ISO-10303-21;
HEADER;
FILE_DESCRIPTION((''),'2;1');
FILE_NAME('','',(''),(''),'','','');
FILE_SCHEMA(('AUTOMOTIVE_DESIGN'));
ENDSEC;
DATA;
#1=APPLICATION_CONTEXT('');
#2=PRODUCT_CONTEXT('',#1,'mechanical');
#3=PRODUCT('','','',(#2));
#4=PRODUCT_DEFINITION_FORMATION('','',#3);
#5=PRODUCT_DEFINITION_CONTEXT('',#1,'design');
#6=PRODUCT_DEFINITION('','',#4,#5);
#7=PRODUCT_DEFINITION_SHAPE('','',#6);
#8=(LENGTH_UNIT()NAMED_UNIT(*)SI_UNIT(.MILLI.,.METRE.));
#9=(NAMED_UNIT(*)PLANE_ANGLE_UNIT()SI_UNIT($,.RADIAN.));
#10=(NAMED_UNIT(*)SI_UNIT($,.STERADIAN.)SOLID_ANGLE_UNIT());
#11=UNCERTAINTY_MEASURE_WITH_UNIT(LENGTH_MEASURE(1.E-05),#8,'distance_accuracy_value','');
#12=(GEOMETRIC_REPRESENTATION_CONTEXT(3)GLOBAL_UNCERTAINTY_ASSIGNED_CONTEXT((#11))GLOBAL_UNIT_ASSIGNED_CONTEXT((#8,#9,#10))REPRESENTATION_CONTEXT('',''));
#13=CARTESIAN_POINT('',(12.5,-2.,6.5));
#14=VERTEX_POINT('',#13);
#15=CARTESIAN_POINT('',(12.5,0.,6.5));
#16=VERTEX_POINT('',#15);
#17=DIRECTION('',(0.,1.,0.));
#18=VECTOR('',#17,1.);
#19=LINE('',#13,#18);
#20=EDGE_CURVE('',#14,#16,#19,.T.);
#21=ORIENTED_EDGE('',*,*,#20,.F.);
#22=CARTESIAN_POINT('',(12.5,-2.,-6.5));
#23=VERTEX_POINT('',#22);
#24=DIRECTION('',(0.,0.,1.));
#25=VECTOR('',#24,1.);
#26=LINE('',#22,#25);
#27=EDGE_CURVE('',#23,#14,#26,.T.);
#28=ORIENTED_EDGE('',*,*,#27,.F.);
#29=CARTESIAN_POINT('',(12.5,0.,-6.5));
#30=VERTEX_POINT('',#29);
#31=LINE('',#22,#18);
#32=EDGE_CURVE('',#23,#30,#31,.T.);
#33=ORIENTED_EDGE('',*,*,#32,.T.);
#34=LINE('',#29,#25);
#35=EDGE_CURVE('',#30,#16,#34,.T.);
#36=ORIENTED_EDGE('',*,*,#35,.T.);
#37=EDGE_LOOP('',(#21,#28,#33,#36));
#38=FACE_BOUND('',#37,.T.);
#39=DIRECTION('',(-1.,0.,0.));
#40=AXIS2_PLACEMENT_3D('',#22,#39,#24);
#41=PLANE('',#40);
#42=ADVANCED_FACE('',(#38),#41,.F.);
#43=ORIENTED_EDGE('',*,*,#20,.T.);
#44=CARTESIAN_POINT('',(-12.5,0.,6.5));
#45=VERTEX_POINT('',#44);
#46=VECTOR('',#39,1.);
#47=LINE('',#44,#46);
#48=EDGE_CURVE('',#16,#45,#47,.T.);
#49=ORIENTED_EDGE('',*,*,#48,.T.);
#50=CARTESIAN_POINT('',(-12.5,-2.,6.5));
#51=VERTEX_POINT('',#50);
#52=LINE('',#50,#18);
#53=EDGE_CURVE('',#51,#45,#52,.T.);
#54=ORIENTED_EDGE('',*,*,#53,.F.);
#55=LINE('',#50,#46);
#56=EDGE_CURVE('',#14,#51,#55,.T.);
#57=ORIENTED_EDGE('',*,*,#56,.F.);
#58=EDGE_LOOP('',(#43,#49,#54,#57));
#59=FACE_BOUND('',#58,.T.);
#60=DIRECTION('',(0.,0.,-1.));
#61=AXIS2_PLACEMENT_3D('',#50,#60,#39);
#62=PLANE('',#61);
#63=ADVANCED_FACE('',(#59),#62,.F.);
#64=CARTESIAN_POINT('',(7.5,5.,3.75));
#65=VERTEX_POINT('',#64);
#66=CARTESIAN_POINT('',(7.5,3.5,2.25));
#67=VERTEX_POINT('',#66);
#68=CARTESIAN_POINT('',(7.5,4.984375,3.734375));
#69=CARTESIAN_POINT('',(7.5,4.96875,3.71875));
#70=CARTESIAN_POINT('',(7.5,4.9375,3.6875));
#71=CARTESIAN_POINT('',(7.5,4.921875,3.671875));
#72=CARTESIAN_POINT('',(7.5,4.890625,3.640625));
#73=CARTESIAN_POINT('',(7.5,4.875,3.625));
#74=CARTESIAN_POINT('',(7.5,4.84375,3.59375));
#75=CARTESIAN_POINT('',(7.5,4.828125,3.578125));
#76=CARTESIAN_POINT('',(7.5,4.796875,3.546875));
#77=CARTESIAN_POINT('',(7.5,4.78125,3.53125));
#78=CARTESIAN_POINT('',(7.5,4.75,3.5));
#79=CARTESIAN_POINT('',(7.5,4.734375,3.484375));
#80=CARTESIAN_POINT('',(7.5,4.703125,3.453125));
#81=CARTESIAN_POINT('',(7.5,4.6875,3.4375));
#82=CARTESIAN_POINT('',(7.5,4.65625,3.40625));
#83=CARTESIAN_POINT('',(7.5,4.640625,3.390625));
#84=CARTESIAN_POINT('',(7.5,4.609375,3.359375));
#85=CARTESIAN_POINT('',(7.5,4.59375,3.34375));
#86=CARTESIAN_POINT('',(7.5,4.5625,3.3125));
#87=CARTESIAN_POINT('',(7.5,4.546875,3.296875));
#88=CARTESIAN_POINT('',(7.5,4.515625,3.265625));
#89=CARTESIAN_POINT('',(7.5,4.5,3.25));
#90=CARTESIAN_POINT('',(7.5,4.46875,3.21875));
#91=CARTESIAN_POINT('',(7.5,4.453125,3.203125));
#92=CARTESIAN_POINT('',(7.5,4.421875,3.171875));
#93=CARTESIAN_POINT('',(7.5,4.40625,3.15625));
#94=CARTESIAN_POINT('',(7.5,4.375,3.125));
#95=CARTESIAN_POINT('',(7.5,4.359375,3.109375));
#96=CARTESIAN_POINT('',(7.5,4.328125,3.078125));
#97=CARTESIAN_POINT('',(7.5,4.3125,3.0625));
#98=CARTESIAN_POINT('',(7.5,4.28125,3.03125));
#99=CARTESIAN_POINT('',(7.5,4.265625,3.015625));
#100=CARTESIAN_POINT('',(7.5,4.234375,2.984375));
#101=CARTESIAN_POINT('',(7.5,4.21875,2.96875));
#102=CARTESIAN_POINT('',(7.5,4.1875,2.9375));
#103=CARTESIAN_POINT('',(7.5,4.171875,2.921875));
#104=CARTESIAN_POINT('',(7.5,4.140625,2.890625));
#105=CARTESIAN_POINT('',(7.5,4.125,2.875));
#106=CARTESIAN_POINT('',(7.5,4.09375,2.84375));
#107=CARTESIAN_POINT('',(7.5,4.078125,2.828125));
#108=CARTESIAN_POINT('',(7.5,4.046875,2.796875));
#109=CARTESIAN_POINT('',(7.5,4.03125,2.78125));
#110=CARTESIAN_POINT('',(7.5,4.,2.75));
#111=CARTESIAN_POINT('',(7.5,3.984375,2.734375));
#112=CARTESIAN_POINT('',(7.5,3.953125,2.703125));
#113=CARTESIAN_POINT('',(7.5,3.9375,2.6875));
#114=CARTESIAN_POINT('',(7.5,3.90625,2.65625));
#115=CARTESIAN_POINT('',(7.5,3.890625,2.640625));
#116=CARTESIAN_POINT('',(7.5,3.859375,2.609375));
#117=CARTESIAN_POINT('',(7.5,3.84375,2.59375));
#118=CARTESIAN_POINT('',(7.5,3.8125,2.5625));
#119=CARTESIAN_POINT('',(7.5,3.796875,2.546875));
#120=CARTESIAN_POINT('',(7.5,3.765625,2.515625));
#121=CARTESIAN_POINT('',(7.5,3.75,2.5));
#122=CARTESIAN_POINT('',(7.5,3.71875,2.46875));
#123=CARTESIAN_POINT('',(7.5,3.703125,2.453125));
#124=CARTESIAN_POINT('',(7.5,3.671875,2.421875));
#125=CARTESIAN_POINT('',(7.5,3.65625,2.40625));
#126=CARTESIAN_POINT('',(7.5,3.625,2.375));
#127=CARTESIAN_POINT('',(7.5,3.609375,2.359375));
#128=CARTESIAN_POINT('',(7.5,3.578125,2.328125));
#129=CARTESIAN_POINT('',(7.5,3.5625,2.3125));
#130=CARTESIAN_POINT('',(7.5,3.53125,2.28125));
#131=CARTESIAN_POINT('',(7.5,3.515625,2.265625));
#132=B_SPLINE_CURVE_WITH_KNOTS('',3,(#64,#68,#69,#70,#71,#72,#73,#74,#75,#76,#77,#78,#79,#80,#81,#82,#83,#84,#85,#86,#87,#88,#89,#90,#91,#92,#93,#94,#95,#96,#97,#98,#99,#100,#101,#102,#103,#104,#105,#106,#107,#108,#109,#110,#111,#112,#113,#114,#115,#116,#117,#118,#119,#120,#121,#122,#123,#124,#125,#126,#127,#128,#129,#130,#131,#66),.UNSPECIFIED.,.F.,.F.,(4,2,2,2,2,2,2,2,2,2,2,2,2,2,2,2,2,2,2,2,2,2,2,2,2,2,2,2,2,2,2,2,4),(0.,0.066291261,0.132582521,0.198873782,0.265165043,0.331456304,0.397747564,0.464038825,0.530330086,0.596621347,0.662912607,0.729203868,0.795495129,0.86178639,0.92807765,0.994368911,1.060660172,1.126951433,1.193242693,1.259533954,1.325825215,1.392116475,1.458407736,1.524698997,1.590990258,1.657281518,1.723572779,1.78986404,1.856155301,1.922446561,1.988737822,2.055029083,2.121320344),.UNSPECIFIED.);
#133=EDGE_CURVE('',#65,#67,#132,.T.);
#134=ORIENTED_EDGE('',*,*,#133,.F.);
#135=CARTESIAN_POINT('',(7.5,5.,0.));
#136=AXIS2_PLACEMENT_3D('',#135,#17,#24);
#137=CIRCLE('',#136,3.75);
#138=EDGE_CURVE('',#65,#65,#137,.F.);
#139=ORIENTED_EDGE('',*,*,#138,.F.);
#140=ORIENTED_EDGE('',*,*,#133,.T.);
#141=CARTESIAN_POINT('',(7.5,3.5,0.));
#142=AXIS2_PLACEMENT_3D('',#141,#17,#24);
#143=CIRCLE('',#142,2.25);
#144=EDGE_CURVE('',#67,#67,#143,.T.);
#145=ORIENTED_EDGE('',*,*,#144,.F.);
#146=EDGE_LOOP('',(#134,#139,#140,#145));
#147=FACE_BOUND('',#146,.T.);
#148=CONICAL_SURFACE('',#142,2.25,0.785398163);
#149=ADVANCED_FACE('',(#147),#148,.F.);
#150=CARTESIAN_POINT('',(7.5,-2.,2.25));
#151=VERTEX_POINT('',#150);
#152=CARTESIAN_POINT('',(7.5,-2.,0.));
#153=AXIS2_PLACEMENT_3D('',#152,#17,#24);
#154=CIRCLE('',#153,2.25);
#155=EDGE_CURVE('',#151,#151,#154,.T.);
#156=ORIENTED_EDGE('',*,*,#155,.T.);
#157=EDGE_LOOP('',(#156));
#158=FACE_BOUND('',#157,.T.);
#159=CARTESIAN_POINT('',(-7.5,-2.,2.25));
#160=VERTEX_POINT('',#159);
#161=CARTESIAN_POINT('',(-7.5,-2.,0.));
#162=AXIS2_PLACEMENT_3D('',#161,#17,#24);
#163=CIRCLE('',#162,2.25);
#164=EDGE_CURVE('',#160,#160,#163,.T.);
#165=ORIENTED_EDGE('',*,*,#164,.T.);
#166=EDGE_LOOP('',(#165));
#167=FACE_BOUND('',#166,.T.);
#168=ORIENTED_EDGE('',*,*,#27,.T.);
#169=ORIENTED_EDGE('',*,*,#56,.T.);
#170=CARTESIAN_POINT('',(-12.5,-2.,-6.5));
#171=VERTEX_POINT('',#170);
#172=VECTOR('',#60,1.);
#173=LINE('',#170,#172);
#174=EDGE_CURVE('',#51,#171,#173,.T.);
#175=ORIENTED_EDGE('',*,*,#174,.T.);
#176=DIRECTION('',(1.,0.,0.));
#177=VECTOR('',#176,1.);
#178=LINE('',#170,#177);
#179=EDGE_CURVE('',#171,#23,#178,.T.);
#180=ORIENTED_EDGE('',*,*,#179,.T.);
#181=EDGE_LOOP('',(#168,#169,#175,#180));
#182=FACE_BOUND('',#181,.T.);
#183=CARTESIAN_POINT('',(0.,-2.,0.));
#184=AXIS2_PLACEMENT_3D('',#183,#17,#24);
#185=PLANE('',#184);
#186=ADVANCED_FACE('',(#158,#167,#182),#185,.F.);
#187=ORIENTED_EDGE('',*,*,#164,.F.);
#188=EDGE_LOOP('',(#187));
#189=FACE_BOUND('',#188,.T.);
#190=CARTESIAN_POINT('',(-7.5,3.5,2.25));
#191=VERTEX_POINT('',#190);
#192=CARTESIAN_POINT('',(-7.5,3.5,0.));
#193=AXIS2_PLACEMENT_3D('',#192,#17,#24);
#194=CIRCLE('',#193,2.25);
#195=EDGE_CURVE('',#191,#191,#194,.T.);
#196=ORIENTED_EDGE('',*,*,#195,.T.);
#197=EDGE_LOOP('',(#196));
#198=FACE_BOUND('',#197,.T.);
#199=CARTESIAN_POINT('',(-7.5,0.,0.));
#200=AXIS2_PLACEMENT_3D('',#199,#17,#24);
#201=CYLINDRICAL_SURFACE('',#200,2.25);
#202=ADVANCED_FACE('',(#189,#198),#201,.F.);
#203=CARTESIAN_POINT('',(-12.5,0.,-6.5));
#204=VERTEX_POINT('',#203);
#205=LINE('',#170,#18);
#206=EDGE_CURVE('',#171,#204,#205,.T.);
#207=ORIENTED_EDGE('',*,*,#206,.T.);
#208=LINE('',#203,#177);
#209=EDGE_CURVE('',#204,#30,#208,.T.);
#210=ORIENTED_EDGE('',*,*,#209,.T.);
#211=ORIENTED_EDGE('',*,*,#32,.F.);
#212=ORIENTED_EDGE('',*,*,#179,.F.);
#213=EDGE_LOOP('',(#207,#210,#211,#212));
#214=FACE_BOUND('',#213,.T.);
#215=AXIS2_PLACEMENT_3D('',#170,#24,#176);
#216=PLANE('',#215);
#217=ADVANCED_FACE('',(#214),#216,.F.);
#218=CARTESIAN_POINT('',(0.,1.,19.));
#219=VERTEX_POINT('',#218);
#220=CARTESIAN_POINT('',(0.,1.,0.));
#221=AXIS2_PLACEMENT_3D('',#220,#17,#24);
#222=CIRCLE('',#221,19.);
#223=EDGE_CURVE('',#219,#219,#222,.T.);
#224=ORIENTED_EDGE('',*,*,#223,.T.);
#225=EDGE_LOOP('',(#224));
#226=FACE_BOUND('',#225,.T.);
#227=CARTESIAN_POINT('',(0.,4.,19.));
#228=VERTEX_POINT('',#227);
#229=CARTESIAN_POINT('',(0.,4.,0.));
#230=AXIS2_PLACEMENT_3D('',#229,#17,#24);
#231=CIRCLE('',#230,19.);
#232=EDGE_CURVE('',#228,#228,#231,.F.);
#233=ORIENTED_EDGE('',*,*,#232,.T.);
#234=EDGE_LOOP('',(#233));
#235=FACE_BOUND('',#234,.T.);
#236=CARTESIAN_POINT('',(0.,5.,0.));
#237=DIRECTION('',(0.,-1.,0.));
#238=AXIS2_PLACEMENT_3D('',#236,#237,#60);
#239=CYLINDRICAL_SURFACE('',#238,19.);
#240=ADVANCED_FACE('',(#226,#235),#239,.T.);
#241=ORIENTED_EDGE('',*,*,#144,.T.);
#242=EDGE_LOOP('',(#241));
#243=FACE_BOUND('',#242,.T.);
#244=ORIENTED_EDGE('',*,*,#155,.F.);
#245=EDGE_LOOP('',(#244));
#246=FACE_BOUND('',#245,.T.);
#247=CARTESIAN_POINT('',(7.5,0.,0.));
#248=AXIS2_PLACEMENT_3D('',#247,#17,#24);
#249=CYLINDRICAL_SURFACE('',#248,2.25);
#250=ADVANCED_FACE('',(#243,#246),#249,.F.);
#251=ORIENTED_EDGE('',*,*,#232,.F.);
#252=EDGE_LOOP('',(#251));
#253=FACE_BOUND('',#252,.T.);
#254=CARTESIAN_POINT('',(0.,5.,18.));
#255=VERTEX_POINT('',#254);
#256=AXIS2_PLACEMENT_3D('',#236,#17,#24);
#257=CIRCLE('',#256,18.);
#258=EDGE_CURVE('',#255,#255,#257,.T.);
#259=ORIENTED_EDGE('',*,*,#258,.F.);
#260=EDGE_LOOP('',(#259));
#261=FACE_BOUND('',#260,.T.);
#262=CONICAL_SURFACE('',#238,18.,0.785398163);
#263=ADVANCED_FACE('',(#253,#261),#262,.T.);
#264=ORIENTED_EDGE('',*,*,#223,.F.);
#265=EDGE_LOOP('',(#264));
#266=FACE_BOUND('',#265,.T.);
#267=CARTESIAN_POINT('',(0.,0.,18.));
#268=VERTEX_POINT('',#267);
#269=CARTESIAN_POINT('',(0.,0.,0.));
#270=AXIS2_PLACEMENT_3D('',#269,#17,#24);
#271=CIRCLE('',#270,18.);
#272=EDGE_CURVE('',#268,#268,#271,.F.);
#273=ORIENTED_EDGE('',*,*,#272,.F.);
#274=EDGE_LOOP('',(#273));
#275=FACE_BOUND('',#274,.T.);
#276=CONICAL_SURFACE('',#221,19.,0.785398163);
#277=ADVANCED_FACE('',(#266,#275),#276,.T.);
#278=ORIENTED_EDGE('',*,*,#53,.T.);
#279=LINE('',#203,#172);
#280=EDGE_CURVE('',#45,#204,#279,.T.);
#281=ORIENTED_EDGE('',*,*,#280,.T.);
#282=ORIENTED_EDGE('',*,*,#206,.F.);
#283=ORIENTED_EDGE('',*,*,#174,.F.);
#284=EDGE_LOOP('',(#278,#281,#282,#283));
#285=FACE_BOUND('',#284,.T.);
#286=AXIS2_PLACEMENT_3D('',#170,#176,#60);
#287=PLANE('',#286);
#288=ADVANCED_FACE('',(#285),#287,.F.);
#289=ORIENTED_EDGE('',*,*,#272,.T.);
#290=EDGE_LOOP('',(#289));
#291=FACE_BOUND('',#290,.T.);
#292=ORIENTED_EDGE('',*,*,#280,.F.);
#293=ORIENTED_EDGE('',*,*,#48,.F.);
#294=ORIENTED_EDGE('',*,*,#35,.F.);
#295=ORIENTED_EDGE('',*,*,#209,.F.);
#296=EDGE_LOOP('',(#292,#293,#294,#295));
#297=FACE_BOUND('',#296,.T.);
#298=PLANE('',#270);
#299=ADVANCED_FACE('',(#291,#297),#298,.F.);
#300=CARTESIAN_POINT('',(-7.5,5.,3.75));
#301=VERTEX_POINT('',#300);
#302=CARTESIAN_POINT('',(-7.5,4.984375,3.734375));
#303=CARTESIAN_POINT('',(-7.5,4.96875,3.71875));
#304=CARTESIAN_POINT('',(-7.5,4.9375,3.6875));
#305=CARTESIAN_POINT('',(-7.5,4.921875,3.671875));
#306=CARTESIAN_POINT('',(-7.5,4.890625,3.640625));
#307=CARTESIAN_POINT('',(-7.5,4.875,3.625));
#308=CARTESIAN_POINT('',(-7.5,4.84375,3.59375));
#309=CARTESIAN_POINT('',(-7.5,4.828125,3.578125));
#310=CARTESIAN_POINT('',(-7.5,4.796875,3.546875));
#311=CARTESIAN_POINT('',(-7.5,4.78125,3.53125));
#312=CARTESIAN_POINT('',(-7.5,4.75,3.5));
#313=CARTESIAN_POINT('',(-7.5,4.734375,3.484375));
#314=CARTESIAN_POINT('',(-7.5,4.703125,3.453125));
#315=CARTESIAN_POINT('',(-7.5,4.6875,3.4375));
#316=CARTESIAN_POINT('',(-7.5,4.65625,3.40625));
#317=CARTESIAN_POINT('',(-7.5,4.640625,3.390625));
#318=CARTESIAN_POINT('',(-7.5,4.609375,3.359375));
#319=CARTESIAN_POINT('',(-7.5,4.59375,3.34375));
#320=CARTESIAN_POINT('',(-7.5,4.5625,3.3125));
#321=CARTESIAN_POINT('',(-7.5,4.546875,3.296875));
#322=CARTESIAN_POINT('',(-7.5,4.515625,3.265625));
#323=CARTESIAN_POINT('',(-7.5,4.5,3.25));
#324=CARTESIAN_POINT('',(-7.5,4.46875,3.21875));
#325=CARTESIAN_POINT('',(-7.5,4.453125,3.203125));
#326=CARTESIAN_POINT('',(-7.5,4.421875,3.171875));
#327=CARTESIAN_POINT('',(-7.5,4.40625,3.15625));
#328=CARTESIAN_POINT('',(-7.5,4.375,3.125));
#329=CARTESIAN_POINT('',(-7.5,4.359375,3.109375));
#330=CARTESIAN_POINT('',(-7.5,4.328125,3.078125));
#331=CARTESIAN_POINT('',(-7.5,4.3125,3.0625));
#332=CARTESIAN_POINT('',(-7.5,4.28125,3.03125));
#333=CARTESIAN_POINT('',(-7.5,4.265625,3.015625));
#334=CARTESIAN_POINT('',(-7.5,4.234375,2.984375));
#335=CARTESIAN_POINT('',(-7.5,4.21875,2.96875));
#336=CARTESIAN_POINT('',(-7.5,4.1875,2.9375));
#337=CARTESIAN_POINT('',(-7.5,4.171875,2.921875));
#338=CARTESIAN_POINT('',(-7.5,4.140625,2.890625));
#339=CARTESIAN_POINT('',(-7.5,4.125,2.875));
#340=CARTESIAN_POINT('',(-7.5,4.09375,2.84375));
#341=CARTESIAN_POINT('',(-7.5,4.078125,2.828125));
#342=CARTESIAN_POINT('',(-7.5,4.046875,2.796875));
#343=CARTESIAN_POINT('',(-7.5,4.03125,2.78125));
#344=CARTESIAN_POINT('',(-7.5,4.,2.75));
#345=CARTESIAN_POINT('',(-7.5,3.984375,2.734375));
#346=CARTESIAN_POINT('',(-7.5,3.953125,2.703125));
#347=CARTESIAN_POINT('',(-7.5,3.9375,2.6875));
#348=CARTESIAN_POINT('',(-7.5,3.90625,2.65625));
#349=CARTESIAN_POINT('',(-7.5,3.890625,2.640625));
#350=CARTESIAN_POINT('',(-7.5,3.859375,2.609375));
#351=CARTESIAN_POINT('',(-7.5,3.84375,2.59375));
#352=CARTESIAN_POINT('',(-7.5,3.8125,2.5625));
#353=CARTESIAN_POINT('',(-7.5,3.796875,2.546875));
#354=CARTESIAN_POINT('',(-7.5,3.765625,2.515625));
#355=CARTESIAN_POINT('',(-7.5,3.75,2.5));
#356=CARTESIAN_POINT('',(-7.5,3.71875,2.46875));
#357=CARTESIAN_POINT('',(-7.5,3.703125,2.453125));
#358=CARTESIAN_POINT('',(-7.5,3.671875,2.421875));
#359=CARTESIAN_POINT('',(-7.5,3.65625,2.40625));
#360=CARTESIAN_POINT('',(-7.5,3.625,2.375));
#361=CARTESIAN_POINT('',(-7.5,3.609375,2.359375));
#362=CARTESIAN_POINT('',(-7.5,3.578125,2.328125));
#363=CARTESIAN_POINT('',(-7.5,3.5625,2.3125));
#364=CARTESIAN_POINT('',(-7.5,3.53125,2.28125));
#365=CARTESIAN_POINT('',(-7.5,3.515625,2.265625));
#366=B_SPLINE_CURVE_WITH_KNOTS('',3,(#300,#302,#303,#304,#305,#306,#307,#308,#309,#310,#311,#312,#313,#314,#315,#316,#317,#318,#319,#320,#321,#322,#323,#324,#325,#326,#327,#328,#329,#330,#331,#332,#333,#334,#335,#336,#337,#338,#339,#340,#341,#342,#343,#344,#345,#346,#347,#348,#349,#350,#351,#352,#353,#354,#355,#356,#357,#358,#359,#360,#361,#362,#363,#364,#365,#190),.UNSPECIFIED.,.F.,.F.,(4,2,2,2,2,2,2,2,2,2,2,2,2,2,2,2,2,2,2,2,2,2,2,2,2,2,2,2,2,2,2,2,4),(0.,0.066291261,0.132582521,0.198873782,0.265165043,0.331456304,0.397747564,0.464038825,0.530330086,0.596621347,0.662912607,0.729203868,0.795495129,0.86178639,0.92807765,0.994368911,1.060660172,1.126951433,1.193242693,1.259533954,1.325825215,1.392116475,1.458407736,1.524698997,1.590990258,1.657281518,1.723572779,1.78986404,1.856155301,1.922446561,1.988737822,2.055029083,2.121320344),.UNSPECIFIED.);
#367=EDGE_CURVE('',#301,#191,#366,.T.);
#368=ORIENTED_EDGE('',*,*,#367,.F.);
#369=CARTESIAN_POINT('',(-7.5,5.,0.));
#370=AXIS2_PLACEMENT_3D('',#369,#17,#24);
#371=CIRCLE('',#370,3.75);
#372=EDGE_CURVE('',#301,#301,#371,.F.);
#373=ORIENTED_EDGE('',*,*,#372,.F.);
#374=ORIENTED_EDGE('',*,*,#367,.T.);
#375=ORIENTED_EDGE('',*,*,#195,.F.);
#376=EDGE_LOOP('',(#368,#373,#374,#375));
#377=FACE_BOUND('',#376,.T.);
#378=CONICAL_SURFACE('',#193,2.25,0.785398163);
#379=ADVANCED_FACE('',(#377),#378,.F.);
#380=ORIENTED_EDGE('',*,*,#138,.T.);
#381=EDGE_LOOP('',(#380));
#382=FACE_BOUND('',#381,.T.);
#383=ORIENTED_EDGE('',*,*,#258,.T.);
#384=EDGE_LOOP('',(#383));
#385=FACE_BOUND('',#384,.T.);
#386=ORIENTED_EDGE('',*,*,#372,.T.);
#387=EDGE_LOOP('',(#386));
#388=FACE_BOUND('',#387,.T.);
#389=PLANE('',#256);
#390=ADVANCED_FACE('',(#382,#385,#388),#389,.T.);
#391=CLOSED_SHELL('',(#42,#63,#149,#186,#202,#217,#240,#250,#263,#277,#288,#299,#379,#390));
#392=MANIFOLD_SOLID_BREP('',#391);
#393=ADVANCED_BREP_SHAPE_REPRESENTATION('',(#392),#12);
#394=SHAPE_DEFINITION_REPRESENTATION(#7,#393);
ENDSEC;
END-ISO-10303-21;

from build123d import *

# Parameters (mm, degrees)
SKETCH1_R           = 19
BOSS_EXTRUDE1_DEPTH = 5
CHAMFER2_SIZE       = 1
SKETCH2_R           = 2.25
CUT_EXTRUDE1_DEPTH  = 28.331300737
CHAMFER1_SIZE       = 1.5
SKETCH3_W           = 25
SKETCH3_H           = 13
BOSS_EXTRUDE2_DEPTH = 2
SKETCH4_R           = 2.25
CUT_EXTRUDE2_DEPTH  = 28.331300737


with BuildPart() as part:
    # Sketch1 → Boss-Extrude1 (new body)
    with BuildSketch(Plane(origin=(0, 0, 0), x_dir=(1, 0, 0), z_dir=(0, 1, 0))):
        with Locations(Location((0, 0, 0), (0, 0, 270))):
            Circle(SKETCH1_R)
    extrude(amount=BOSS_EXTRUDE1_DEPTH)

    # Chamfer2
    chamfer2_edges = [part.edges().sort_by_distance(p)[0] for p in [
        (0, 0, -19),
        (0, 5, -19),
    ]]
    chamfer(chamfer2_edges, length=CHAMFER2_SIZE)

    # Sketch2 → Cut-Extrude1 (cut, through all)
    with BuildSketch(Plane(origin=(0, 5, 0), x_dir=(1, 0, 0), z_dir=(0, 1, 0))):
        with Locations(Location((-7.5, 0, 0), (0, 0, 270))):
            Circle(SKETCH2_R)
        with Locations(Location((7.5, 0, 0), (0, 0, 90))):
            Circle(SKETCH2_R)
    extrude(amount=-CUT_EXTRUDE1_DEPTH, mode=Mode.SUBTRACT)

    # Chamfer1
    chamfer1_edges = [part.edges().sort_by_distance(p)[0] for p in [
        (-7.5, 5, -2.25),
        (7.5, 5, 2.25),
    ]]
    chamfer(chamfer1_edges, length=CHAMFER1_SIZE)

    # Sketch3 → Boss-Extrude2 (add)
    with BuildSketch(Plane.XZ):
        Rectangle(SKETCH3_W, SKETCH3_H)
    extrude(amount=BOSS_EXTRUDE2_DEPTH)

    # Sketch4 → Cut-Extrude2 (cut, through all)
    with BuildSketch(Plane(origin=(0, 0, 0), x_dir=(1, 0, 0), z_dir=(0, 1, 0))):
        with Locations(Location((7.5, 0, 0), (0, 0, 270))):
            Circle(SKETCH4_R)
        with Locations(Location((-7.5, 0, 0), (0, 0, 270))):
            Circle(SKETCH4_R)
    extrude(amount=-CUT_EXTRUDE2_DEPTH, mode=Mode.SUBTRACT)


solid = part.part
